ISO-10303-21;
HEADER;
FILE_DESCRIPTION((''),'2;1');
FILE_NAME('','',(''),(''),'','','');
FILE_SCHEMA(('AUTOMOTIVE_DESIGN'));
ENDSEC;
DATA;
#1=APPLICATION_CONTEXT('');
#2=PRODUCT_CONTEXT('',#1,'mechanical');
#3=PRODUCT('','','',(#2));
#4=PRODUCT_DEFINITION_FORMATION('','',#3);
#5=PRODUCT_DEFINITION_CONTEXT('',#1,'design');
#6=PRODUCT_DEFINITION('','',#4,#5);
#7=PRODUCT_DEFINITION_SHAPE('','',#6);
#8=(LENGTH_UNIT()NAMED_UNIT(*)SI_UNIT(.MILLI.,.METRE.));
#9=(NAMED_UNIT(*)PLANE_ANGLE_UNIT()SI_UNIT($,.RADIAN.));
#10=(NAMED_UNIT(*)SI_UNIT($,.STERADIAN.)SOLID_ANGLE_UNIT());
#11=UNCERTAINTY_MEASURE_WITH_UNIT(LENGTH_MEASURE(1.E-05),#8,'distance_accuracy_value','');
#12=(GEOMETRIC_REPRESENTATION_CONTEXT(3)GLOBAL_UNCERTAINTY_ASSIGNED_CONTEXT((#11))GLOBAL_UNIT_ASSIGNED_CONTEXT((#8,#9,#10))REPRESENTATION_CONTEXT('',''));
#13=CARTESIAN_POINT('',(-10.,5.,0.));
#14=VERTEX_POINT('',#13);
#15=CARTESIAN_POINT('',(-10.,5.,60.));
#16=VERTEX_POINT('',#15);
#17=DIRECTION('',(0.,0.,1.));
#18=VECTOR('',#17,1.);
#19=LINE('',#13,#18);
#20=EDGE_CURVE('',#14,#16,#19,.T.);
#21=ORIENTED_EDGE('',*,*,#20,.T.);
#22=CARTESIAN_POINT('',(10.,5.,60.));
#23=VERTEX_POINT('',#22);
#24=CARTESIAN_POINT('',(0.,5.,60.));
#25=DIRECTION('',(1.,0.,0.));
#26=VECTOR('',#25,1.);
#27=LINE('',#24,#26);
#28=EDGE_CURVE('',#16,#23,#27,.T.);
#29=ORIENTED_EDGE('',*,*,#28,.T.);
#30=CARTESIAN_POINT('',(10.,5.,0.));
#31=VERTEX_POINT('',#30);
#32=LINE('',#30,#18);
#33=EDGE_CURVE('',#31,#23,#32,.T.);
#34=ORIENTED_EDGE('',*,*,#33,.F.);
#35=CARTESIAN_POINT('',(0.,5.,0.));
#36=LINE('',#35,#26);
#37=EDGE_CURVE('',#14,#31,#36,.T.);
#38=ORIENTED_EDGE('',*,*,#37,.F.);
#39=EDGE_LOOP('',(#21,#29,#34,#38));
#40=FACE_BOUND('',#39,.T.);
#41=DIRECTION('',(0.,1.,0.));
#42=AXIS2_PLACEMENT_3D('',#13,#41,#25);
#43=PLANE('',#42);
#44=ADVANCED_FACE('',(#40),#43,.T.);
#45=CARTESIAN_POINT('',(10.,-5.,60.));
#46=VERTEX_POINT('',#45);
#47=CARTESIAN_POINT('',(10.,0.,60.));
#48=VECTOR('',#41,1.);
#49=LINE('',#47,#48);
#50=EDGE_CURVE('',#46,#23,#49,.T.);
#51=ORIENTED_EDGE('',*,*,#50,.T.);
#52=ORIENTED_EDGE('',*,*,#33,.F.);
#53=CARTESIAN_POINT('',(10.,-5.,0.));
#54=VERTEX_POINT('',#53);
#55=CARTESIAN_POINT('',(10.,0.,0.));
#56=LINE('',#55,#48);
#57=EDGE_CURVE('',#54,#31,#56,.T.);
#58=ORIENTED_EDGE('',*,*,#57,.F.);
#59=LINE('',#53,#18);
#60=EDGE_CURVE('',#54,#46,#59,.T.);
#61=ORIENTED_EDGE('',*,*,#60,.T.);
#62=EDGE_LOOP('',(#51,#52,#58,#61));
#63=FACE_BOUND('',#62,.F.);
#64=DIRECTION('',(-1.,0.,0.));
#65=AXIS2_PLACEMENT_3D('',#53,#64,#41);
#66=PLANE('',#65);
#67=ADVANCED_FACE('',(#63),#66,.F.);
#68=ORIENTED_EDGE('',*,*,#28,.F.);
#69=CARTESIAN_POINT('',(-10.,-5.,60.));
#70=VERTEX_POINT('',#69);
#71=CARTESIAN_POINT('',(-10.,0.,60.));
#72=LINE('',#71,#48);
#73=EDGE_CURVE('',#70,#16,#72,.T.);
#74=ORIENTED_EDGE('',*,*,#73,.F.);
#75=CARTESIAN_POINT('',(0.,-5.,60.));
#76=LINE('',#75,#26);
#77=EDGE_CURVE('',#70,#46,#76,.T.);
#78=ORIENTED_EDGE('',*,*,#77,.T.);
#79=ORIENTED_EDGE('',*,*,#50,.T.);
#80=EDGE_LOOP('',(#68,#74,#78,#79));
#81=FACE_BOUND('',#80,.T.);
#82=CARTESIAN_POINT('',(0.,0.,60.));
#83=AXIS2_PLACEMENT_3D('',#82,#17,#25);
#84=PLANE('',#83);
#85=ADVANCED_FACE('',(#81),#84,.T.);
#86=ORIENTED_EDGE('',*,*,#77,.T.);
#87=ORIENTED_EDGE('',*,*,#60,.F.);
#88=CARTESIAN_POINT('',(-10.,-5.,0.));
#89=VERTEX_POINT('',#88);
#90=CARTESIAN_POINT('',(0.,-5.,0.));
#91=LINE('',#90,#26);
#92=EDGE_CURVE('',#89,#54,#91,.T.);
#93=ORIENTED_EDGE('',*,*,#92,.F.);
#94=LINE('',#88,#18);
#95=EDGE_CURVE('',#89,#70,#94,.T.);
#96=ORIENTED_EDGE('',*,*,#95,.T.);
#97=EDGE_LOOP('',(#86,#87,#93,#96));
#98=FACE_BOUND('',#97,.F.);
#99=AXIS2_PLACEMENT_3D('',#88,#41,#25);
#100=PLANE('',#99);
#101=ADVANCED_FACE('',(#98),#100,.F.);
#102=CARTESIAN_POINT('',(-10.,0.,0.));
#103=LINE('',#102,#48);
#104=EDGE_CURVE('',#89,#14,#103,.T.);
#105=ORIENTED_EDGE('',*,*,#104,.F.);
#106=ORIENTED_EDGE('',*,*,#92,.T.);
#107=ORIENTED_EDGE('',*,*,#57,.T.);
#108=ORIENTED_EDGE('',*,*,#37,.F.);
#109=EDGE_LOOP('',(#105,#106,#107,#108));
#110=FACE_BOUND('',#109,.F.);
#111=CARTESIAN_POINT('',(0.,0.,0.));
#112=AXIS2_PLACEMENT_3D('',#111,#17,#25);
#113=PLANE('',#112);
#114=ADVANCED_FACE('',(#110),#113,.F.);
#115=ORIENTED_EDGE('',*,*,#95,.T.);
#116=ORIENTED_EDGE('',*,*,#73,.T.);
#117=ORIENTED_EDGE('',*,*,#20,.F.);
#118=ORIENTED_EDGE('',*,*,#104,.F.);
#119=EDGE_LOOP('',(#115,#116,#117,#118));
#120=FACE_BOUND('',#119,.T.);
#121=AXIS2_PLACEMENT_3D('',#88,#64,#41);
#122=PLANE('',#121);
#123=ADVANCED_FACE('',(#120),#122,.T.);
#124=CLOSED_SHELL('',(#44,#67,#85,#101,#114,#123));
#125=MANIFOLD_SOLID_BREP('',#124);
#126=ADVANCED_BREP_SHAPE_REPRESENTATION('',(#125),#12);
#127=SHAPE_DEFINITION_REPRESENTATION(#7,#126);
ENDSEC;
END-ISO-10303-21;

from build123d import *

# Parameters (mm, degrees)
SKETCH_W  = 20
SKETCH_H  = 10
PAD_DEPTH = 60


with BuildPart() as part:
    # Sketch → Pad (new body)
    with BuildSketch(Plane.XY):
        Rectangle(SKETCH_W, SKETCH_H)
    extrude(amount=PAD_DEPTH)


solid = part.part
